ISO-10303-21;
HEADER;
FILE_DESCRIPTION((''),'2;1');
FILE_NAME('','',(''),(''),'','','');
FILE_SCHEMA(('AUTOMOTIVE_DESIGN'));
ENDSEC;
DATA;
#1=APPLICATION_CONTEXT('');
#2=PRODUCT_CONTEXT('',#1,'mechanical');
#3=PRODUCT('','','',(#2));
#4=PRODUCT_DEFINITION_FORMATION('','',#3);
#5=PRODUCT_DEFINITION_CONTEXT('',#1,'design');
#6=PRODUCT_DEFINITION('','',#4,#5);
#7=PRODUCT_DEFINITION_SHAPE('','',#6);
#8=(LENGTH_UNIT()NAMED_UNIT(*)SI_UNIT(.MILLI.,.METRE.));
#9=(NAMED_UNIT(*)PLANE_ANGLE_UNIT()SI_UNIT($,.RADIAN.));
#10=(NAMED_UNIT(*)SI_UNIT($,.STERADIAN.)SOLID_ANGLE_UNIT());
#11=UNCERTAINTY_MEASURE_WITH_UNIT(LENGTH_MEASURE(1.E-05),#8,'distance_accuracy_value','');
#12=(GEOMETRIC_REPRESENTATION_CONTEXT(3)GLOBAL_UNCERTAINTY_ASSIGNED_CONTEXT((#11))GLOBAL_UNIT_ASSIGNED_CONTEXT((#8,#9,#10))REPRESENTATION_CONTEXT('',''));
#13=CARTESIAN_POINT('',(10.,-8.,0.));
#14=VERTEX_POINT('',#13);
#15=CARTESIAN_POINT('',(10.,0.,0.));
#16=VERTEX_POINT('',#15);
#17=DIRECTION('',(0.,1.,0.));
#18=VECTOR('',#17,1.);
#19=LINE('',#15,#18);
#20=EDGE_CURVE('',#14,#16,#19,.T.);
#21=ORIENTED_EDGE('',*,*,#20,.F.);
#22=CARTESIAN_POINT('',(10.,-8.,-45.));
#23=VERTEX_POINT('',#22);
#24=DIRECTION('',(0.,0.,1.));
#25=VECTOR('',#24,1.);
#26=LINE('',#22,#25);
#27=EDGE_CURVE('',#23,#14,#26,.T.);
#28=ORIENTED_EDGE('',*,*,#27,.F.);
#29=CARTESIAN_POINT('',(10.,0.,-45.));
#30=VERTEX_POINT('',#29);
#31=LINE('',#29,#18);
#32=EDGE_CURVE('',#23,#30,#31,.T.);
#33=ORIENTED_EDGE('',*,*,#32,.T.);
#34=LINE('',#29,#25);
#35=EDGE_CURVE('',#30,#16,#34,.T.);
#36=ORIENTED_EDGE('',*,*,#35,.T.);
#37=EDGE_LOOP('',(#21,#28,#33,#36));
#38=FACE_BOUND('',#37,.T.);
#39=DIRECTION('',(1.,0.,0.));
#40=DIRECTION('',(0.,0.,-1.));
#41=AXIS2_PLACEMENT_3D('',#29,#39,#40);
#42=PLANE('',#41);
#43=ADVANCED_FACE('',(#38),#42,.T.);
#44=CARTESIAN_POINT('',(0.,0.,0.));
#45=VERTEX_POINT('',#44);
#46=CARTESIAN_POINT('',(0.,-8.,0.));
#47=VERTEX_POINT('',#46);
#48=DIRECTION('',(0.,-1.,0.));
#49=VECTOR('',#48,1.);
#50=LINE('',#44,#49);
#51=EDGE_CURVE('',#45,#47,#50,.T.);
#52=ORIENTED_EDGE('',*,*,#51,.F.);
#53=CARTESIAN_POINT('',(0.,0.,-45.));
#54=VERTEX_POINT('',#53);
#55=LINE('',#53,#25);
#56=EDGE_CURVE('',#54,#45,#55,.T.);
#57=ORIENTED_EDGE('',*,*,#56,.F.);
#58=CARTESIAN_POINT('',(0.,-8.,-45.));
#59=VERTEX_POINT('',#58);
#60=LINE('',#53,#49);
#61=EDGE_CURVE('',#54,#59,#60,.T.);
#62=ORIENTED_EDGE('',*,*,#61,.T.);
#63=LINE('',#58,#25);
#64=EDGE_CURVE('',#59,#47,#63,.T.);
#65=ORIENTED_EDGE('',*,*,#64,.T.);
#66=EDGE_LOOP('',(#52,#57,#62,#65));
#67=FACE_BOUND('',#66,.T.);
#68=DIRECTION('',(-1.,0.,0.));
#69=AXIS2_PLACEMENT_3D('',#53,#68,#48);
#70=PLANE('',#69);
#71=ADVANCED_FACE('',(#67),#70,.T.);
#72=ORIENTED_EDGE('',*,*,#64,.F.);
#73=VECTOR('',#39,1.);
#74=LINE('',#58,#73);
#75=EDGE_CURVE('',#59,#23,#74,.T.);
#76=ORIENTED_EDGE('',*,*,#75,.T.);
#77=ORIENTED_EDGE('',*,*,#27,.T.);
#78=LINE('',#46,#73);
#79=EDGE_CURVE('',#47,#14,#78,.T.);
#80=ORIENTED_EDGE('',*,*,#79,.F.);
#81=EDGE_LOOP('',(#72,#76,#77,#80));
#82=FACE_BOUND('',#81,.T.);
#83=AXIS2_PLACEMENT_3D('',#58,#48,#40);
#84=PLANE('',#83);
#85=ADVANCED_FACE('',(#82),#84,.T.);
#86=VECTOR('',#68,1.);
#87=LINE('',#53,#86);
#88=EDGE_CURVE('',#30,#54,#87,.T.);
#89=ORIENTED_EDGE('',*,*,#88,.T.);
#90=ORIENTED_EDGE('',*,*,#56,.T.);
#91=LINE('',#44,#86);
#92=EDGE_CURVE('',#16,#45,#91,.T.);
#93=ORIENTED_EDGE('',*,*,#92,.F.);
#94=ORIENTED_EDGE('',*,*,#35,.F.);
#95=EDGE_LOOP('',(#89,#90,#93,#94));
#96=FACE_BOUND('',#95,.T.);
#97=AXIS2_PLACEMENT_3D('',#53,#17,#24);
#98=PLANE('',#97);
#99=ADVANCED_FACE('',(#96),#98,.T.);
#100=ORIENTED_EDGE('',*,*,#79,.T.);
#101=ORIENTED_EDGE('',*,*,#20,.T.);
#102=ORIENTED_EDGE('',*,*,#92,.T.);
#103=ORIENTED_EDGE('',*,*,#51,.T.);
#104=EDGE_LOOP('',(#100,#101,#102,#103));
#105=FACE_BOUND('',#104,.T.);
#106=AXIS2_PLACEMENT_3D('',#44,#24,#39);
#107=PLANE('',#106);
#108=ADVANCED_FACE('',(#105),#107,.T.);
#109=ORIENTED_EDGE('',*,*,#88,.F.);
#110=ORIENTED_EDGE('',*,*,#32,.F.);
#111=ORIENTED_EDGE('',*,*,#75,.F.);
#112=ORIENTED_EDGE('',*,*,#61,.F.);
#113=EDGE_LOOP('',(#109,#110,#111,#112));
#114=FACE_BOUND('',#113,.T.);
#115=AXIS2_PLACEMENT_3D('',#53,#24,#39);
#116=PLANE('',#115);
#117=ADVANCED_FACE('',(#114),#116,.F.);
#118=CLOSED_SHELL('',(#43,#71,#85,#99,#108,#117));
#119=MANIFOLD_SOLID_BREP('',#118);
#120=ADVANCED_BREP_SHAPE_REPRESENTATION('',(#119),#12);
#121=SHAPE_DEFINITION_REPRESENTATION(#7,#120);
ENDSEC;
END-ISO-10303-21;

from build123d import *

# Parameters (mm, degrees)
SKETCH1_W           = 10
SKETCH1_H           = 8
BOSS_EXTRUDE1_DEPTH = 45


with BuildPart() as part:
    # Sketch1 → Boss-Extrude1 (new body)
    with BuildSketch(Plane.XY):
        with Locations((5, -4)):
            Rectangle(SKETCH1_W, SKETCH1_H)
    extrude(amount=-BOSS_EXTRUDE1_DEPTH)


solid = part.part
